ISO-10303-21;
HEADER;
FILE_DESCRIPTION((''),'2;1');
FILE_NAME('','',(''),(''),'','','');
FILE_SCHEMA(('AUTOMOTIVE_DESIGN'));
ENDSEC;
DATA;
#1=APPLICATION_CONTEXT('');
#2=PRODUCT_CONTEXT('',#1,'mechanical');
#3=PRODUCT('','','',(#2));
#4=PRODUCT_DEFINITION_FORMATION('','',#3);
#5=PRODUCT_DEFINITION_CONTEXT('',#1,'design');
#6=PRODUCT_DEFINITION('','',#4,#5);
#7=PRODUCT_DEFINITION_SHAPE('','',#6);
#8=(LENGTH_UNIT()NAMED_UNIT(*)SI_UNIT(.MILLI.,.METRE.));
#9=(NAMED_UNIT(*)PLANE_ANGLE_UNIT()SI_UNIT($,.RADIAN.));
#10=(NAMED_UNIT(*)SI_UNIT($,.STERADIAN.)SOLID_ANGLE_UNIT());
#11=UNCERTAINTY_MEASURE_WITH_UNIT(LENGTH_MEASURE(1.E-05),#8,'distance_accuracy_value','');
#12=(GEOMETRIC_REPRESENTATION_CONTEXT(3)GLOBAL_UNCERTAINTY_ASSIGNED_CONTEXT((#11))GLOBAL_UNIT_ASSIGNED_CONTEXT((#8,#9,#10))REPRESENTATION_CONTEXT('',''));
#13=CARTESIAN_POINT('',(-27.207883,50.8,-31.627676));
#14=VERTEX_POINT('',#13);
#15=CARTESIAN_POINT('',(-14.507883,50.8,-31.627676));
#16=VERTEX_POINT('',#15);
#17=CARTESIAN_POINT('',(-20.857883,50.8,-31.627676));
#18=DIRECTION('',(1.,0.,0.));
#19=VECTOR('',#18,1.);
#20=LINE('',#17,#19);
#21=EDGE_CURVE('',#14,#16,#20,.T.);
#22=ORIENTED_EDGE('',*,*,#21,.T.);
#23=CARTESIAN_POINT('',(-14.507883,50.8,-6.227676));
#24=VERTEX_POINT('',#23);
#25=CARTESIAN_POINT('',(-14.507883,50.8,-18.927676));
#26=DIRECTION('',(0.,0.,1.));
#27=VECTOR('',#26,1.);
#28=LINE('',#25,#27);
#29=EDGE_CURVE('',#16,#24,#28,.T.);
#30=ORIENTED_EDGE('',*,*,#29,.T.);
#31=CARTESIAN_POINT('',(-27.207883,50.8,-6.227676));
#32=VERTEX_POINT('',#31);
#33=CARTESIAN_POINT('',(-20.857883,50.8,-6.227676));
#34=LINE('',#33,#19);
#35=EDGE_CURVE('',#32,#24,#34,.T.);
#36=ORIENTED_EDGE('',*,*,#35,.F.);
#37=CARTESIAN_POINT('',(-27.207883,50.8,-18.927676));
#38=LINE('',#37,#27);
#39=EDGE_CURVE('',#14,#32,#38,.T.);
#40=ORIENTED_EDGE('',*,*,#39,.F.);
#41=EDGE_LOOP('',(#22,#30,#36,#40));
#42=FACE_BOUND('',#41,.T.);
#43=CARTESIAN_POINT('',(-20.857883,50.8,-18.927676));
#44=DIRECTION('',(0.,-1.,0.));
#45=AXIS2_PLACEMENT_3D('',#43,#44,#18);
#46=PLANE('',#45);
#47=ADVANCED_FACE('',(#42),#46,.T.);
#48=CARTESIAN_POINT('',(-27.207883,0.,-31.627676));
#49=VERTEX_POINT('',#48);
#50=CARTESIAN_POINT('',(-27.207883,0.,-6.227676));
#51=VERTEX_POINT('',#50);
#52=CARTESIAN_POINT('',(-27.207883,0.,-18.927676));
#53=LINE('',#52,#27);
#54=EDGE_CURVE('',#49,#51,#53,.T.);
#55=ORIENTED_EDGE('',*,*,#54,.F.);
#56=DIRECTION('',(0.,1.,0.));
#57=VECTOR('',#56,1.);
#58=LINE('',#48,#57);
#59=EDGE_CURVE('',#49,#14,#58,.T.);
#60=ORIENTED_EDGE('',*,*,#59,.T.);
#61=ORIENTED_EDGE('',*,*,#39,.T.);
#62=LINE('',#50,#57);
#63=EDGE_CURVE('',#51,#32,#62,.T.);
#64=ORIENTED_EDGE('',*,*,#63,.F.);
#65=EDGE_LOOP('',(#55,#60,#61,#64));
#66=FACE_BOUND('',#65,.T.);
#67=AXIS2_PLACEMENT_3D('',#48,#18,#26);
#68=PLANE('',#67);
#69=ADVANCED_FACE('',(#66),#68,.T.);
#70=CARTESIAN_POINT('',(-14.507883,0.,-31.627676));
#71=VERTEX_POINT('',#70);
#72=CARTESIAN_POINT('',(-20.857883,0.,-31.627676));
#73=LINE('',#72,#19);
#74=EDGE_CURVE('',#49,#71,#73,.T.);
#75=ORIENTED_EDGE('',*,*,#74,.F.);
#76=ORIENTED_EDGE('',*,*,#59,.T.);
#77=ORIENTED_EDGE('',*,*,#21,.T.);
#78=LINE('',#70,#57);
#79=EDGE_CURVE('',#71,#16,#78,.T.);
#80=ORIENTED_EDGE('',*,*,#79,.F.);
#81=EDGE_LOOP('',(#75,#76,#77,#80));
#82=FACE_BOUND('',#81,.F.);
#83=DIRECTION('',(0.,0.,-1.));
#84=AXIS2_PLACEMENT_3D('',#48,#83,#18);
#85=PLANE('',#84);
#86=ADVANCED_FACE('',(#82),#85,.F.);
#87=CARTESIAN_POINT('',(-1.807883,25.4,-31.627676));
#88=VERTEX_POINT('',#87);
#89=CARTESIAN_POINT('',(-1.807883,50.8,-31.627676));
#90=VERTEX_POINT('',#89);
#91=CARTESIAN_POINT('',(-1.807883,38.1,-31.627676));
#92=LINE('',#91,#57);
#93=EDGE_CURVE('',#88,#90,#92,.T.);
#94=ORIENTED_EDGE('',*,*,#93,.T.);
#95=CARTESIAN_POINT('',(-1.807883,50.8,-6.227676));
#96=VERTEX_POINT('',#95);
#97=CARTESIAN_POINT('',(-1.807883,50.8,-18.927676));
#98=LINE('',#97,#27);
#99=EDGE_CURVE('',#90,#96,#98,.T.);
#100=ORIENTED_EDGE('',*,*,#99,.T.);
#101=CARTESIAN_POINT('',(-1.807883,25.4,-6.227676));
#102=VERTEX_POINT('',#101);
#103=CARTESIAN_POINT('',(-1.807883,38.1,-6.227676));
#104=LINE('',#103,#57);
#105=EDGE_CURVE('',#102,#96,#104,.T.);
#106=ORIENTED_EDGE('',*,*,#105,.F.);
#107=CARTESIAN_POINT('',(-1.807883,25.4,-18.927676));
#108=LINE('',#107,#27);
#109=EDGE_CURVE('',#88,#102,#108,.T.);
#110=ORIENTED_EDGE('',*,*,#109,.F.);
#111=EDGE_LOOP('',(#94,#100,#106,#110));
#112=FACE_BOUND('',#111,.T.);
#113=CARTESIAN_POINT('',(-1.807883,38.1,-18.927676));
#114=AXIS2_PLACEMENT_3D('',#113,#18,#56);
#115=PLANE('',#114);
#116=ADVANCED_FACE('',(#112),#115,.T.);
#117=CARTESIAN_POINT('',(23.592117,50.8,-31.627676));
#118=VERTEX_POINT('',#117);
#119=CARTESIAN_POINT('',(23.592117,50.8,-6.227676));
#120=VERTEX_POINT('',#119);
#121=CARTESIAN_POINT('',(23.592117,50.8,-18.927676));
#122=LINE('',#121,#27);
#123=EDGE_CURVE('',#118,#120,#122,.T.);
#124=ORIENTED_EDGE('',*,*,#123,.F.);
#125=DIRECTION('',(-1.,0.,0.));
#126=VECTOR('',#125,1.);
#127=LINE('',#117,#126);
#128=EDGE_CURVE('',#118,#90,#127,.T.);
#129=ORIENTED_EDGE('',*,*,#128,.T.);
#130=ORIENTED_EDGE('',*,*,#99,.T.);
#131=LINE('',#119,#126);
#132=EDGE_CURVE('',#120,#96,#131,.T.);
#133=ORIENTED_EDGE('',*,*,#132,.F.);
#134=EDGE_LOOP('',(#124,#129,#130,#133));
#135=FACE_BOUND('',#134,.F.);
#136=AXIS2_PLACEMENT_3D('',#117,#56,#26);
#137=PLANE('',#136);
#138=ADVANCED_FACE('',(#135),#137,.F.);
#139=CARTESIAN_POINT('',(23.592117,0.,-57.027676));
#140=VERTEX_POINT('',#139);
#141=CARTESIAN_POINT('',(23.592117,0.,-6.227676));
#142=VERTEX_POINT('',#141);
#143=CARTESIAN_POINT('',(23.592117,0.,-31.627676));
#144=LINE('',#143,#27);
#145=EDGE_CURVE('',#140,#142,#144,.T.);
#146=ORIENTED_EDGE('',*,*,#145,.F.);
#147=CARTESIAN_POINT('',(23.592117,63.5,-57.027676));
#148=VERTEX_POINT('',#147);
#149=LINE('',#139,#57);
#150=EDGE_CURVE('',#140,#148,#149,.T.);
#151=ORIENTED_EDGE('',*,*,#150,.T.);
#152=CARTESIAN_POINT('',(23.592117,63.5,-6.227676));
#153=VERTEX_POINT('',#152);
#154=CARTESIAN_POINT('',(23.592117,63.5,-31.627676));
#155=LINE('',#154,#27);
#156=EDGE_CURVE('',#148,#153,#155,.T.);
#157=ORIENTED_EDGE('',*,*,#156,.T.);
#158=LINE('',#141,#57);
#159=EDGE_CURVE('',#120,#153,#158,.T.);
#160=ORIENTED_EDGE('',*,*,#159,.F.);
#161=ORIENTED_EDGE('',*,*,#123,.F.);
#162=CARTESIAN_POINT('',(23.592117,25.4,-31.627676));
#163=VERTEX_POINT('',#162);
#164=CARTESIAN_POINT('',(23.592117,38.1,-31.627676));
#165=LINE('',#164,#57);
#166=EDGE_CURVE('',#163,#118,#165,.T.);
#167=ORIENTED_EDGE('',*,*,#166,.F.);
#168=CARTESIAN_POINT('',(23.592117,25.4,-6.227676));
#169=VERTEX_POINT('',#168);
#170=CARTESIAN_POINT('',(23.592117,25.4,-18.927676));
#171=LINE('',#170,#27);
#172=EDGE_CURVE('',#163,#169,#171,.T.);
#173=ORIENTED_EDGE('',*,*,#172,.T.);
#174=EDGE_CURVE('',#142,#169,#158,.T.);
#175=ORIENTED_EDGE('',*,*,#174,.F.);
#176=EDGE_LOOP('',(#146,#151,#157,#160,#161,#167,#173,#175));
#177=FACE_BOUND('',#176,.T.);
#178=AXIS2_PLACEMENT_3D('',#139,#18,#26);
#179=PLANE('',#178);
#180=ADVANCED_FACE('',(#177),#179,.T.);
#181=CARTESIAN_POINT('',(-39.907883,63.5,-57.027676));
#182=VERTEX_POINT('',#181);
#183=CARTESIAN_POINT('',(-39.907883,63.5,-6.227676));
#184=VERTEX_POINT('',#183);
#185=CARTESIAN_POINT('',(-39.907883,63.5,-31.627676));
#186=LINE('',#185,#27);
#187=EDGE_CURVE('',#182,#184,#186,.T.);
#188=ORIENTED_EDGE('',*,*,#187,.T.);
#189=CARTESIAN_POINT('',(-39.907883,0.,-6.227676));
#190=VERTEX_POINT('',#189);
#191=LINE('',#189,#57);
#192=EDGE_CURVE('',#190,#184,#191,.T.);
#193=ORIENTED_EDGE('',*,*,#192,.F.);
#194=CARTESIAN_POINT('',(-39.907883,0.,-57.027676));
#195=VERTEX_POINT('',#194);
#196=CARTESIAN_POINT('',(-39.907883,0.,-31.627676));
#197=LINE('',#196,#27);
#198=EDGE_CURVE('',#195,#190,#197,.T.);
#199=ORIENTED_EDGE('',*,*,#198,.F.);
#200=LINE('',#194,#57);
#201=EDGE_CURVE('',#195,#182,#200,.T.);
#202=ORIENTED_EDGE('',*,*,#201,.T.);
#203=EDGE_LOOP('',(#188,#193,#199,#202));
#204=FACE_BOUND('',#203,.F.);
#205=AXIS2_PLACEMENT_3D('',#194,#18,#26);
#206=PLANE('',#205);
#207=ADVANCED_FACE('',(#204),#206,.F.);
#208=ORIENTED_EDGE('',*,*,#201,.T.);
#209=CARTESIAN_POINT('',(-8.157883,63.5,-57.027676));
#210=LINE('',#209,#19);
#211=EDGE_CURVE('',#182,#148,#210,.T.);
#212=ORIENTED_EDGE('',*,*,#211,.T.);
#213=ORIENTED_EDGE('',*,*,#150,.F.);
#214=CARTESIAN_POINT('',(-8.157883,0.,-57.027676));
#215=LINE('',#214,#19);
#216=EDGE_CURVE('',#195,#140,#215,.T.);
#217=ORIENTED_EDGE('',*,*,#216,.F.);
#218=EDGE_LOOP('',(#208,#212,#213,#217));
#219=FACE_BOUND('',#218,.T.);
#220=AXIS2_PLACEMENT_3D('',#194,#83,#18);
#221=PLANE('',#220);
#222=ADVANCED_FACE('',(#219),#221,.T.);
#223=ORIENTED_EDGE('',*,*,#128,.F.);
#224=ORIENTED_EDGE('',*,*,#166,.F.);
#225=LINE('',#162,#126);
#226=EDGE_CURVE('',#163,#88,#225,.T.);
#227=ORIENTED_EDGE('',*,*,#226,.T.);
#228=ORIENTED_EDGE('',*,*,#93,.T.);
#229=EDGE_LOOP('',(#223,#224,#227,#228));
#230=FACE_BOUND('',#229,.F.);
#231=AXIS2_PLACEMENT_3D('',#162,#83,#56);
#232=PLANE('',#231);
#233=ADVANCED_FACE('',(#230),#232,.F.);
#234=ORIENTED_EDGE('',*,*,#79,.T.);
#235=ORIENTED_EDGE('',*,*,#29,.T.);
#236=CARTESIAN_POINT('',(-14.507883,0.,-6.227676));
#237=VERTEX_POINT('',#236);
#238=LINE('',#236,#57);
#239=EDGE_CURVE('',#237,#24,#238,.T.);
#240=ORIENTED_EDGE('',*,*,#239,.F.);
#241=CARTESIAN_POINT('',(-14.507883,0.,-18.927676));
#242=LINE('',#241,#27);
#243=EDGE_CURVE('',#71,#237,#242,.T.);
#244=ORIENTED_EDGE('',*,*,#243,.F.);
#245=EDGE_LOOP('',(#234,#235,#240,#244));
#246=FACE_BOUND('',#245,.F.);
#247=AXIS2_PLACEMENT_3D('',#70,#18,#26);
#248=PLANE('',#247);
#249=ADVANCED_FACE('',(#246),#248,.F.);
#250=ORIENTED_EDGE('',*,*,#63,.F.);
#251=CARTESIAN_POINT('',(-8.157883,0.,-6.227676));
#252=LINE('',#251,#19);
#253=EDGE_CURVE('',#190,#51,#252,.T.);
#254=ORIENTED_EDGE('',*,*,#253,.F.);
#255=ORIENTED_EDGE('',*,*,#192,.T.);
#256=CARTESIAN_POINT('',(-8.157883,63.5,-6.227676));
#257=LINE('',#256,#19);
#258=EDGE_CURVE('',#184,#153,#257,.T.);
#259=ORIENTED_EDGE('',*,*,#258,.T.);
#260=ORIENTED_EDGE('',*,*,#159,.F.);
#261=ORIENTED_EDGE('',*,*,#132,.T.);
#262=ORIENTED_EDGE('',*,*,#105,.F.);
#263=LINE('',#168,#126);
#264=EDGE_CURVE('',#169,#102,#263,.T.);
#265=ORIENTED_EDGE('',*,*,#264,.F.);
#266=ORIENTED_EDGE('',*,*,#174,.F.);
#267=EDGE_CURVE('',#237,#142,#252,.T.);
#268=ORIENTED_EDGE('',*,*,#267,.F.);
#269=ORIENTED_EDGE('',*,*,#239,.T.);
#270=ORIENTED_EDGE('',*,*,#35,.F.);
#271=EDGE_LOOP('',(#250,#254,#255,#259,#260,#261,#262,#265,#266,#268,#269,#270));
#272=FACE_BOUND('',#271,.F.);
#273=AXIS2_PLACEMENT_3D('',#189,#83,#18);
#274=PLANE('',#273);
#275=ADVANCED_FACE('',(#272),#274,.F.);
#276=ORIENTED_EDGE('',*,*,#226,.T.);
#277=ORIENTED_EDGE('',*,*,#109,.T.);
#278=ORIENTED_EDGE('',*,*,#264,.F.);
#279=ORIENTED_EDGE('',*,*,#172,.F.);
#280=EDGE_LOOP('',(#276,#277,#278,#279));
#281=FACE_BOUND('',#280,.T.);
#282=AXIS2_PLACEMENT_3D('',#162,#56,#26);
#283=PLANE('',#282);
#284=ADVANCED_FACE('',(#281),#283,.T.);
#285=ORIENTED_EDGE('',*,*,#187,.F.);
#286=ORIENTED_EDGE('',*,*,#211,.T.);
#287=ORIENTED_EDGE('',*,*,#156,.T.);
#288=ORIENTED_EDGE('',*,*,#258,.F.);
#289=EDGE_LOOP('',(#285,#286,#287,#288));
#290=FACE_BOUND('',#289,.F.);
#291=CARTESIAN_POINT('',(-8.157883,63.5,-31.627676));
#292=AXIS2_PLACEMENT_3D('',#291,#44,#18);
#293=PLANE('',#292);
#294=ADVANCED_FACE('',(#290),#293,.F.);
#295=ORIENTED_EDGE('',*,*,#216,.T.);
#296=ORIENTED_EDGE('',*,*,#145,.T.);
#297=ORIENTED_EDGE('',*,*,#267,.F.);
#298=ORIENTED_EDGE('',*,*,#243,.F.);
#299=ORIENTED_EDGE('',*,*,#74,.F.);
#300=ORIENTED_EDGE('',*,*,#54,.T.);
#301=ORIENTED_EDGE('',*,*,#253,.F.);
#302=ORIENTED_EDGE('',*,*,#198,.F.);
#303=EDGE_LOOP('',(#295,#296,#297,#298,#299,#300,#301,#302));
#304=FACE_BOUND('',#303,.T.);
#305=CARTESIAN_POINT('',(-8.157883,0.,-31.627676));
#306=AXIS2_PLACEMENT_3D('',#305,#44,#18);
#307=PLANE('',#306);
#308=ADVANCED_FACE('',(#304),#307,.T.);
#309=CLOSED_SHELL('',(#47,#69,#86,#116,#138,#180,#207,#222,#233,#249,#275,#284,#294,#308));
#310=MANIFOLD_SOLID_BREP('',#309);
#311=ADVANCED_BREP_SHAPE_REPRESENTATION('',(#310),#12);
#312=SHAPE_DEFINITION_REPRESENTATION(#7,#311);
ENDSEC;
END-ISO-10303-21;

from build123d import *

# Parameters (mm, degrees)
F0_W     = 63.5
F0_H     = 50.8
F1_DEPTH = 63.5
F2_W     = 12.7
F2_H     = 25.4
F3_DEPTH = 50.8
F4_W     = 25.4
F4_H     = 25.4
F5_DEPTH = 25.4


with BuildPart() as f1:
    # F0 (on Front) → F1 (new body)
    with BuildSketch(Plane.XZ):
        with Locations((-8.157883, -31.627676)):
            Rectangle(F0_W, F0_H)
    extrude(amount=-F1_DEPTH)

    # F2 (on face) → F3 (cut)
    with BuildSketch(Plane.XZ):
        with Locations((-20.857883, -18.927676)):
            Rectangle(F2_W, F2_H)
    extrude(amount=-F3_DEPTH, mode=Mode.SUBTRACT)

    # F4 (on face) → F5 (cut)
    with BuildSketch(Plane.YZ.offset(23.592117)):
        with Locations((38.1, -18.927676)):
            Rectangle(F4_W, F4_H)
    extrude(amount=-F5_DEPTH, mode=Mode.SUBTRACT)


solid = f1.part
